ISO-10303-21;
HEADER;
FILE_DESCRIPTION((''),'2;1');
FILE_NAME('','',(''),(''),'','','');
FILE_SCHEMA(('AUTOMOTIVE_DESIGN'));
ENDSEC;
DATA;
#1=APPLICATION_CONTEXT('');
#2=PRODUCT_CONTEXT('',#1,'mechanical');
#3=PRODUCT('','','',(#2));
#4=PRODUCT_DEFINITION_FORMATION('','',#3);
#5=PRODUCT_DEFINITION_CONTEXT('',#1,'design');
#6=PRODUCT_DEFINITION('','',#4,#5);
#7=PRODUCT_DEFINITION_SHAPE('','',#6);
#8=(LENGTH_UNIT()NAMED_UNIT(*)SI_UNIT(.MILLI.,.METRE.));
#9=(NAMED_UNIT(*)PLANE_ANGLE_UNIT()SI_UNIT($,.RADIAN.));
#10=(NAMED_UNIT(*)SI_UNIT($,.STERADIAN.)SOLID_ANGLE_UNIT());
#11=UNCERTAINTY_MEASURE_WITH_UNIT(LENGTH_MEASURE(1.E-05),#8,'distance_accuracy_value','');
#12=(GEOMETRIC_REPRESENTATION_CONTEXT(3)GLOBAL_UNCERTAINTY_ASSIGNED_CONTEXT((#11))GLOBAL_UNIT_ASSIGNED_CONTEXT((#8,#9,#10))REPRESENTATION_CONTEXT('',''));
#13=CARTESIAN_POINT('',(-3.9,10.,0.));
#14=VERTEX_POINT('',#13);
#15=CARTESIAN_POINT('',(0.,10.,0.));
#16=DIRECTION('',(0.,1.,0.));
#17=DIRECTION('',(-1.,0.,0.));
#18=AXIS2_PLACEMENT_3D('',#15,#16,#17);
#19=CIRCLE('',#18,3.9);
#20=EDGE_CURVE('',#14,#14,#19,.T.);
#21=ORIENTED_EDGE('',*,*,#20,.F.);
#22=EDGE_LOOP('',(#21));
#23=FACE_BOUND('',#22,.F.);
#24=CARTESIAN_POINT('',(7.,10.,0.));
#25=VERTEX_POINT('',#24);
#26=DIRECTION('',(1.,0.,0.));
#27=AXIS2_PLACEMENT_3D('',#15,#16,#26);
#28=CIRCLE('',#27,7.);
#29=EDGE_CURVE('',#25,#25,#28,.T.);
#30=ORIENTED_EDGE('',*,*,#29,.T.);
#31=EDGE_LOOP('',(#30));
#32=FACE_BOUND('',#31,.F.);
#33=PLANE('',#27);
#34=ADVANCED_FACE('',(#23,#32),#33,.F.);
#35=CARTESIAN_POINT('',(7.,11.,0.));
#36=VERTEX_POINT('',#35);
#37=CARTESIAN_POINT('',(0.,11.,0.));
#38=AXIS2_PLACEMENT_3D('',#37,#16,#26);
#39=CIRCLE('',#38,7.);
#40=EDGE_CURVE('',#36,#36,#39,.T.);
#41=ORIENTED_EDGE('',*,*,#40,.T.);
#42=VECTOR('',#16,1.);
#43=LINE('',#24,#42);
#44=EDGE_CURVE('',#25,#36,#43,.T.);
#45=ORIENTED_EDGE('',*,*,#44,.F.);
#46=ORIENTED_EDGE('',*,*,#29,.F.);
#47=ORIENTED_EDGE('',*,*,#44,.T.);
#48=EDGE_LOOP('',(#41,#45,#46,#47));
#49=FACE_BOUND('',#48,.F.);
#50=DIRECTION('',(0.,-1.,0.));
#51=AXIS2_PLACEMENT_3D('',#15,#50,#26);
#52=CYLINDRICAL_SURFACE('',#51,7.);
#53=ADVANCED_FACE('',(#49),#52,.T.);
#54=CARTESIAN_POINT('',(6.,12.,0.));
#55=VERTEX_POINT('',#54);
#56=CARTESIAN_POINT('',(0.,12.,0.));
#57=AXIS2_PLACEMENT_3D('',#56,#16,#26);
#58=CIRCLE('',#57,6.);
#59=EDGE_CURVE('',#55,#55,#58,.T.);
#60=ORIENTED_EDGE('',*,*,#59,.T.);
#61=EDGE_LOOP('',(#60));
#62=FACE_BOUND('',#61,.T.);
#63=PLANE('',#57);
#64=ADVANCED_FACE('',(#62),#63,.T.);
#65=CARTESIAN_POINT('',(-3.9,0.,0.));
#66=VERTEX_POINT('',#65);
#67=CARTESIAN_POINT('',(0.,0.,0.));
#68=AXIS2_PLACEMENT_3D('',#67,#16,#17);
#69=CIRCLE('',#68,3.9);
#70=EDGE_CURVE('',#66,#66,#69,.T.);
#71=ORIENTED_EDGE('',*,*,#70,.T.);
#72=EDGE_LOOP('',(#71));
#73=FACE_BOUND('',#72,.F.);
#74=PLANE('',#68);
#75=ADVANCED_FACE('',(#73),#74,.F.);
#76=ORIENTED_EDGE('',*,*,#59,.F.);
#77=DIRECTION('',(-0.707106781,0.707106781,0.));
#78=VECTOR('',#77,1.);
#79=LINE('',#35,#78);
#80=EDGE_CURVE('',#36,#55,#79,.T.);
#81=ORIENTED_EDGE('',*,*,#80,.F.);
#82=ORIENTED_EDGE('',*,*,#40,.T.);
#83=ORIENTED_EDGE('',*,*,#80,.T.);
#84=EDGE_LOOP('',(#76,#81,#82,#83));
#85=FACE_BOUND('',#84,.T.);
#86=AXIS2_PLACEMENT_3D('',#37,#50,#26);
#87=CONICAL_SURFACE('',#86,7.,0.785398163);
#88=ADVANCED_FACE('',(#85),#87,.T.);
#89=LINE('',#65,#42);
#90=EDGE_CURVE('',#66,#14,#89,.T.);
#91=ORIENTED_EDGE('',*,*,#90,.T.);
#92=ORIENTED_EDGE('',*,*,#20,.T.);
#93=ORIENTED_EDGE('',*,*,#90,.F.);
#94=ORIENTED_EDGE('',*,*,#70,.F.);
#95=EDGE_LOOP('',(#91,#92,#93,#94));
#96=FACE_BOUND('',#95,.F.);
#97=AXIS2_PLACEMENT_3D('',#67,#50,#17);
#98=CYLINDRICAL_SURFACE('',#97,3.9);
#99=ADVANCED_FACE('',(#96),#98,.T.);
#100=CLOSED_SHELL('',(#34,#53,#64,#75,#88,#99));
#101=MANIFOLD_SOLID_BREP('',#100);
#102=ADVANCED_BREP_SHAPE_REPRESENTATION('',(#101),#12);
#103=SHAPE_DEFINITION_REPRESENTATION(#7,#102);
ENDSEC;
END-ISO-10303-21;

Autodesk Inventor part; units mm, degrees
ref_plane "YZ Plane" through (0, 0, 0) normal (1, 0, 0) x (0, 1, 0)
ref_plane "XZ Plane" through (0, 0, 0) normal (0, 1, 0) x (-1, 0, 0)
ref_plane "XY Plane" through (0, 0, 0) normal (0, 0, 1) x (1, 0, 0)
sketch "Sketch1" plane through (0, 0, 0) normal (0, 1, 0) x (-1, 0, 0)
  circle A0 centre (0, 0) radius 3.9
  dimension "d0" = 7.8
extrude "Extrusion1" add sketch "Sketch1" along normal blind 10
sketch "Sketch2" plane through (0, 10, 0) normal (0, 1, 0) x (1, 0, 0)
  circle A0 centre (0, 0) radius 7
  dimension "d3" = 14
extrude "Extrusion2" add sketch "Sketch2" along normal blind 2
chamfer "Chamfer1" distance 1 angle 45 1 edges at (-7, 12, 0)
properties part number "_3DPrint"
